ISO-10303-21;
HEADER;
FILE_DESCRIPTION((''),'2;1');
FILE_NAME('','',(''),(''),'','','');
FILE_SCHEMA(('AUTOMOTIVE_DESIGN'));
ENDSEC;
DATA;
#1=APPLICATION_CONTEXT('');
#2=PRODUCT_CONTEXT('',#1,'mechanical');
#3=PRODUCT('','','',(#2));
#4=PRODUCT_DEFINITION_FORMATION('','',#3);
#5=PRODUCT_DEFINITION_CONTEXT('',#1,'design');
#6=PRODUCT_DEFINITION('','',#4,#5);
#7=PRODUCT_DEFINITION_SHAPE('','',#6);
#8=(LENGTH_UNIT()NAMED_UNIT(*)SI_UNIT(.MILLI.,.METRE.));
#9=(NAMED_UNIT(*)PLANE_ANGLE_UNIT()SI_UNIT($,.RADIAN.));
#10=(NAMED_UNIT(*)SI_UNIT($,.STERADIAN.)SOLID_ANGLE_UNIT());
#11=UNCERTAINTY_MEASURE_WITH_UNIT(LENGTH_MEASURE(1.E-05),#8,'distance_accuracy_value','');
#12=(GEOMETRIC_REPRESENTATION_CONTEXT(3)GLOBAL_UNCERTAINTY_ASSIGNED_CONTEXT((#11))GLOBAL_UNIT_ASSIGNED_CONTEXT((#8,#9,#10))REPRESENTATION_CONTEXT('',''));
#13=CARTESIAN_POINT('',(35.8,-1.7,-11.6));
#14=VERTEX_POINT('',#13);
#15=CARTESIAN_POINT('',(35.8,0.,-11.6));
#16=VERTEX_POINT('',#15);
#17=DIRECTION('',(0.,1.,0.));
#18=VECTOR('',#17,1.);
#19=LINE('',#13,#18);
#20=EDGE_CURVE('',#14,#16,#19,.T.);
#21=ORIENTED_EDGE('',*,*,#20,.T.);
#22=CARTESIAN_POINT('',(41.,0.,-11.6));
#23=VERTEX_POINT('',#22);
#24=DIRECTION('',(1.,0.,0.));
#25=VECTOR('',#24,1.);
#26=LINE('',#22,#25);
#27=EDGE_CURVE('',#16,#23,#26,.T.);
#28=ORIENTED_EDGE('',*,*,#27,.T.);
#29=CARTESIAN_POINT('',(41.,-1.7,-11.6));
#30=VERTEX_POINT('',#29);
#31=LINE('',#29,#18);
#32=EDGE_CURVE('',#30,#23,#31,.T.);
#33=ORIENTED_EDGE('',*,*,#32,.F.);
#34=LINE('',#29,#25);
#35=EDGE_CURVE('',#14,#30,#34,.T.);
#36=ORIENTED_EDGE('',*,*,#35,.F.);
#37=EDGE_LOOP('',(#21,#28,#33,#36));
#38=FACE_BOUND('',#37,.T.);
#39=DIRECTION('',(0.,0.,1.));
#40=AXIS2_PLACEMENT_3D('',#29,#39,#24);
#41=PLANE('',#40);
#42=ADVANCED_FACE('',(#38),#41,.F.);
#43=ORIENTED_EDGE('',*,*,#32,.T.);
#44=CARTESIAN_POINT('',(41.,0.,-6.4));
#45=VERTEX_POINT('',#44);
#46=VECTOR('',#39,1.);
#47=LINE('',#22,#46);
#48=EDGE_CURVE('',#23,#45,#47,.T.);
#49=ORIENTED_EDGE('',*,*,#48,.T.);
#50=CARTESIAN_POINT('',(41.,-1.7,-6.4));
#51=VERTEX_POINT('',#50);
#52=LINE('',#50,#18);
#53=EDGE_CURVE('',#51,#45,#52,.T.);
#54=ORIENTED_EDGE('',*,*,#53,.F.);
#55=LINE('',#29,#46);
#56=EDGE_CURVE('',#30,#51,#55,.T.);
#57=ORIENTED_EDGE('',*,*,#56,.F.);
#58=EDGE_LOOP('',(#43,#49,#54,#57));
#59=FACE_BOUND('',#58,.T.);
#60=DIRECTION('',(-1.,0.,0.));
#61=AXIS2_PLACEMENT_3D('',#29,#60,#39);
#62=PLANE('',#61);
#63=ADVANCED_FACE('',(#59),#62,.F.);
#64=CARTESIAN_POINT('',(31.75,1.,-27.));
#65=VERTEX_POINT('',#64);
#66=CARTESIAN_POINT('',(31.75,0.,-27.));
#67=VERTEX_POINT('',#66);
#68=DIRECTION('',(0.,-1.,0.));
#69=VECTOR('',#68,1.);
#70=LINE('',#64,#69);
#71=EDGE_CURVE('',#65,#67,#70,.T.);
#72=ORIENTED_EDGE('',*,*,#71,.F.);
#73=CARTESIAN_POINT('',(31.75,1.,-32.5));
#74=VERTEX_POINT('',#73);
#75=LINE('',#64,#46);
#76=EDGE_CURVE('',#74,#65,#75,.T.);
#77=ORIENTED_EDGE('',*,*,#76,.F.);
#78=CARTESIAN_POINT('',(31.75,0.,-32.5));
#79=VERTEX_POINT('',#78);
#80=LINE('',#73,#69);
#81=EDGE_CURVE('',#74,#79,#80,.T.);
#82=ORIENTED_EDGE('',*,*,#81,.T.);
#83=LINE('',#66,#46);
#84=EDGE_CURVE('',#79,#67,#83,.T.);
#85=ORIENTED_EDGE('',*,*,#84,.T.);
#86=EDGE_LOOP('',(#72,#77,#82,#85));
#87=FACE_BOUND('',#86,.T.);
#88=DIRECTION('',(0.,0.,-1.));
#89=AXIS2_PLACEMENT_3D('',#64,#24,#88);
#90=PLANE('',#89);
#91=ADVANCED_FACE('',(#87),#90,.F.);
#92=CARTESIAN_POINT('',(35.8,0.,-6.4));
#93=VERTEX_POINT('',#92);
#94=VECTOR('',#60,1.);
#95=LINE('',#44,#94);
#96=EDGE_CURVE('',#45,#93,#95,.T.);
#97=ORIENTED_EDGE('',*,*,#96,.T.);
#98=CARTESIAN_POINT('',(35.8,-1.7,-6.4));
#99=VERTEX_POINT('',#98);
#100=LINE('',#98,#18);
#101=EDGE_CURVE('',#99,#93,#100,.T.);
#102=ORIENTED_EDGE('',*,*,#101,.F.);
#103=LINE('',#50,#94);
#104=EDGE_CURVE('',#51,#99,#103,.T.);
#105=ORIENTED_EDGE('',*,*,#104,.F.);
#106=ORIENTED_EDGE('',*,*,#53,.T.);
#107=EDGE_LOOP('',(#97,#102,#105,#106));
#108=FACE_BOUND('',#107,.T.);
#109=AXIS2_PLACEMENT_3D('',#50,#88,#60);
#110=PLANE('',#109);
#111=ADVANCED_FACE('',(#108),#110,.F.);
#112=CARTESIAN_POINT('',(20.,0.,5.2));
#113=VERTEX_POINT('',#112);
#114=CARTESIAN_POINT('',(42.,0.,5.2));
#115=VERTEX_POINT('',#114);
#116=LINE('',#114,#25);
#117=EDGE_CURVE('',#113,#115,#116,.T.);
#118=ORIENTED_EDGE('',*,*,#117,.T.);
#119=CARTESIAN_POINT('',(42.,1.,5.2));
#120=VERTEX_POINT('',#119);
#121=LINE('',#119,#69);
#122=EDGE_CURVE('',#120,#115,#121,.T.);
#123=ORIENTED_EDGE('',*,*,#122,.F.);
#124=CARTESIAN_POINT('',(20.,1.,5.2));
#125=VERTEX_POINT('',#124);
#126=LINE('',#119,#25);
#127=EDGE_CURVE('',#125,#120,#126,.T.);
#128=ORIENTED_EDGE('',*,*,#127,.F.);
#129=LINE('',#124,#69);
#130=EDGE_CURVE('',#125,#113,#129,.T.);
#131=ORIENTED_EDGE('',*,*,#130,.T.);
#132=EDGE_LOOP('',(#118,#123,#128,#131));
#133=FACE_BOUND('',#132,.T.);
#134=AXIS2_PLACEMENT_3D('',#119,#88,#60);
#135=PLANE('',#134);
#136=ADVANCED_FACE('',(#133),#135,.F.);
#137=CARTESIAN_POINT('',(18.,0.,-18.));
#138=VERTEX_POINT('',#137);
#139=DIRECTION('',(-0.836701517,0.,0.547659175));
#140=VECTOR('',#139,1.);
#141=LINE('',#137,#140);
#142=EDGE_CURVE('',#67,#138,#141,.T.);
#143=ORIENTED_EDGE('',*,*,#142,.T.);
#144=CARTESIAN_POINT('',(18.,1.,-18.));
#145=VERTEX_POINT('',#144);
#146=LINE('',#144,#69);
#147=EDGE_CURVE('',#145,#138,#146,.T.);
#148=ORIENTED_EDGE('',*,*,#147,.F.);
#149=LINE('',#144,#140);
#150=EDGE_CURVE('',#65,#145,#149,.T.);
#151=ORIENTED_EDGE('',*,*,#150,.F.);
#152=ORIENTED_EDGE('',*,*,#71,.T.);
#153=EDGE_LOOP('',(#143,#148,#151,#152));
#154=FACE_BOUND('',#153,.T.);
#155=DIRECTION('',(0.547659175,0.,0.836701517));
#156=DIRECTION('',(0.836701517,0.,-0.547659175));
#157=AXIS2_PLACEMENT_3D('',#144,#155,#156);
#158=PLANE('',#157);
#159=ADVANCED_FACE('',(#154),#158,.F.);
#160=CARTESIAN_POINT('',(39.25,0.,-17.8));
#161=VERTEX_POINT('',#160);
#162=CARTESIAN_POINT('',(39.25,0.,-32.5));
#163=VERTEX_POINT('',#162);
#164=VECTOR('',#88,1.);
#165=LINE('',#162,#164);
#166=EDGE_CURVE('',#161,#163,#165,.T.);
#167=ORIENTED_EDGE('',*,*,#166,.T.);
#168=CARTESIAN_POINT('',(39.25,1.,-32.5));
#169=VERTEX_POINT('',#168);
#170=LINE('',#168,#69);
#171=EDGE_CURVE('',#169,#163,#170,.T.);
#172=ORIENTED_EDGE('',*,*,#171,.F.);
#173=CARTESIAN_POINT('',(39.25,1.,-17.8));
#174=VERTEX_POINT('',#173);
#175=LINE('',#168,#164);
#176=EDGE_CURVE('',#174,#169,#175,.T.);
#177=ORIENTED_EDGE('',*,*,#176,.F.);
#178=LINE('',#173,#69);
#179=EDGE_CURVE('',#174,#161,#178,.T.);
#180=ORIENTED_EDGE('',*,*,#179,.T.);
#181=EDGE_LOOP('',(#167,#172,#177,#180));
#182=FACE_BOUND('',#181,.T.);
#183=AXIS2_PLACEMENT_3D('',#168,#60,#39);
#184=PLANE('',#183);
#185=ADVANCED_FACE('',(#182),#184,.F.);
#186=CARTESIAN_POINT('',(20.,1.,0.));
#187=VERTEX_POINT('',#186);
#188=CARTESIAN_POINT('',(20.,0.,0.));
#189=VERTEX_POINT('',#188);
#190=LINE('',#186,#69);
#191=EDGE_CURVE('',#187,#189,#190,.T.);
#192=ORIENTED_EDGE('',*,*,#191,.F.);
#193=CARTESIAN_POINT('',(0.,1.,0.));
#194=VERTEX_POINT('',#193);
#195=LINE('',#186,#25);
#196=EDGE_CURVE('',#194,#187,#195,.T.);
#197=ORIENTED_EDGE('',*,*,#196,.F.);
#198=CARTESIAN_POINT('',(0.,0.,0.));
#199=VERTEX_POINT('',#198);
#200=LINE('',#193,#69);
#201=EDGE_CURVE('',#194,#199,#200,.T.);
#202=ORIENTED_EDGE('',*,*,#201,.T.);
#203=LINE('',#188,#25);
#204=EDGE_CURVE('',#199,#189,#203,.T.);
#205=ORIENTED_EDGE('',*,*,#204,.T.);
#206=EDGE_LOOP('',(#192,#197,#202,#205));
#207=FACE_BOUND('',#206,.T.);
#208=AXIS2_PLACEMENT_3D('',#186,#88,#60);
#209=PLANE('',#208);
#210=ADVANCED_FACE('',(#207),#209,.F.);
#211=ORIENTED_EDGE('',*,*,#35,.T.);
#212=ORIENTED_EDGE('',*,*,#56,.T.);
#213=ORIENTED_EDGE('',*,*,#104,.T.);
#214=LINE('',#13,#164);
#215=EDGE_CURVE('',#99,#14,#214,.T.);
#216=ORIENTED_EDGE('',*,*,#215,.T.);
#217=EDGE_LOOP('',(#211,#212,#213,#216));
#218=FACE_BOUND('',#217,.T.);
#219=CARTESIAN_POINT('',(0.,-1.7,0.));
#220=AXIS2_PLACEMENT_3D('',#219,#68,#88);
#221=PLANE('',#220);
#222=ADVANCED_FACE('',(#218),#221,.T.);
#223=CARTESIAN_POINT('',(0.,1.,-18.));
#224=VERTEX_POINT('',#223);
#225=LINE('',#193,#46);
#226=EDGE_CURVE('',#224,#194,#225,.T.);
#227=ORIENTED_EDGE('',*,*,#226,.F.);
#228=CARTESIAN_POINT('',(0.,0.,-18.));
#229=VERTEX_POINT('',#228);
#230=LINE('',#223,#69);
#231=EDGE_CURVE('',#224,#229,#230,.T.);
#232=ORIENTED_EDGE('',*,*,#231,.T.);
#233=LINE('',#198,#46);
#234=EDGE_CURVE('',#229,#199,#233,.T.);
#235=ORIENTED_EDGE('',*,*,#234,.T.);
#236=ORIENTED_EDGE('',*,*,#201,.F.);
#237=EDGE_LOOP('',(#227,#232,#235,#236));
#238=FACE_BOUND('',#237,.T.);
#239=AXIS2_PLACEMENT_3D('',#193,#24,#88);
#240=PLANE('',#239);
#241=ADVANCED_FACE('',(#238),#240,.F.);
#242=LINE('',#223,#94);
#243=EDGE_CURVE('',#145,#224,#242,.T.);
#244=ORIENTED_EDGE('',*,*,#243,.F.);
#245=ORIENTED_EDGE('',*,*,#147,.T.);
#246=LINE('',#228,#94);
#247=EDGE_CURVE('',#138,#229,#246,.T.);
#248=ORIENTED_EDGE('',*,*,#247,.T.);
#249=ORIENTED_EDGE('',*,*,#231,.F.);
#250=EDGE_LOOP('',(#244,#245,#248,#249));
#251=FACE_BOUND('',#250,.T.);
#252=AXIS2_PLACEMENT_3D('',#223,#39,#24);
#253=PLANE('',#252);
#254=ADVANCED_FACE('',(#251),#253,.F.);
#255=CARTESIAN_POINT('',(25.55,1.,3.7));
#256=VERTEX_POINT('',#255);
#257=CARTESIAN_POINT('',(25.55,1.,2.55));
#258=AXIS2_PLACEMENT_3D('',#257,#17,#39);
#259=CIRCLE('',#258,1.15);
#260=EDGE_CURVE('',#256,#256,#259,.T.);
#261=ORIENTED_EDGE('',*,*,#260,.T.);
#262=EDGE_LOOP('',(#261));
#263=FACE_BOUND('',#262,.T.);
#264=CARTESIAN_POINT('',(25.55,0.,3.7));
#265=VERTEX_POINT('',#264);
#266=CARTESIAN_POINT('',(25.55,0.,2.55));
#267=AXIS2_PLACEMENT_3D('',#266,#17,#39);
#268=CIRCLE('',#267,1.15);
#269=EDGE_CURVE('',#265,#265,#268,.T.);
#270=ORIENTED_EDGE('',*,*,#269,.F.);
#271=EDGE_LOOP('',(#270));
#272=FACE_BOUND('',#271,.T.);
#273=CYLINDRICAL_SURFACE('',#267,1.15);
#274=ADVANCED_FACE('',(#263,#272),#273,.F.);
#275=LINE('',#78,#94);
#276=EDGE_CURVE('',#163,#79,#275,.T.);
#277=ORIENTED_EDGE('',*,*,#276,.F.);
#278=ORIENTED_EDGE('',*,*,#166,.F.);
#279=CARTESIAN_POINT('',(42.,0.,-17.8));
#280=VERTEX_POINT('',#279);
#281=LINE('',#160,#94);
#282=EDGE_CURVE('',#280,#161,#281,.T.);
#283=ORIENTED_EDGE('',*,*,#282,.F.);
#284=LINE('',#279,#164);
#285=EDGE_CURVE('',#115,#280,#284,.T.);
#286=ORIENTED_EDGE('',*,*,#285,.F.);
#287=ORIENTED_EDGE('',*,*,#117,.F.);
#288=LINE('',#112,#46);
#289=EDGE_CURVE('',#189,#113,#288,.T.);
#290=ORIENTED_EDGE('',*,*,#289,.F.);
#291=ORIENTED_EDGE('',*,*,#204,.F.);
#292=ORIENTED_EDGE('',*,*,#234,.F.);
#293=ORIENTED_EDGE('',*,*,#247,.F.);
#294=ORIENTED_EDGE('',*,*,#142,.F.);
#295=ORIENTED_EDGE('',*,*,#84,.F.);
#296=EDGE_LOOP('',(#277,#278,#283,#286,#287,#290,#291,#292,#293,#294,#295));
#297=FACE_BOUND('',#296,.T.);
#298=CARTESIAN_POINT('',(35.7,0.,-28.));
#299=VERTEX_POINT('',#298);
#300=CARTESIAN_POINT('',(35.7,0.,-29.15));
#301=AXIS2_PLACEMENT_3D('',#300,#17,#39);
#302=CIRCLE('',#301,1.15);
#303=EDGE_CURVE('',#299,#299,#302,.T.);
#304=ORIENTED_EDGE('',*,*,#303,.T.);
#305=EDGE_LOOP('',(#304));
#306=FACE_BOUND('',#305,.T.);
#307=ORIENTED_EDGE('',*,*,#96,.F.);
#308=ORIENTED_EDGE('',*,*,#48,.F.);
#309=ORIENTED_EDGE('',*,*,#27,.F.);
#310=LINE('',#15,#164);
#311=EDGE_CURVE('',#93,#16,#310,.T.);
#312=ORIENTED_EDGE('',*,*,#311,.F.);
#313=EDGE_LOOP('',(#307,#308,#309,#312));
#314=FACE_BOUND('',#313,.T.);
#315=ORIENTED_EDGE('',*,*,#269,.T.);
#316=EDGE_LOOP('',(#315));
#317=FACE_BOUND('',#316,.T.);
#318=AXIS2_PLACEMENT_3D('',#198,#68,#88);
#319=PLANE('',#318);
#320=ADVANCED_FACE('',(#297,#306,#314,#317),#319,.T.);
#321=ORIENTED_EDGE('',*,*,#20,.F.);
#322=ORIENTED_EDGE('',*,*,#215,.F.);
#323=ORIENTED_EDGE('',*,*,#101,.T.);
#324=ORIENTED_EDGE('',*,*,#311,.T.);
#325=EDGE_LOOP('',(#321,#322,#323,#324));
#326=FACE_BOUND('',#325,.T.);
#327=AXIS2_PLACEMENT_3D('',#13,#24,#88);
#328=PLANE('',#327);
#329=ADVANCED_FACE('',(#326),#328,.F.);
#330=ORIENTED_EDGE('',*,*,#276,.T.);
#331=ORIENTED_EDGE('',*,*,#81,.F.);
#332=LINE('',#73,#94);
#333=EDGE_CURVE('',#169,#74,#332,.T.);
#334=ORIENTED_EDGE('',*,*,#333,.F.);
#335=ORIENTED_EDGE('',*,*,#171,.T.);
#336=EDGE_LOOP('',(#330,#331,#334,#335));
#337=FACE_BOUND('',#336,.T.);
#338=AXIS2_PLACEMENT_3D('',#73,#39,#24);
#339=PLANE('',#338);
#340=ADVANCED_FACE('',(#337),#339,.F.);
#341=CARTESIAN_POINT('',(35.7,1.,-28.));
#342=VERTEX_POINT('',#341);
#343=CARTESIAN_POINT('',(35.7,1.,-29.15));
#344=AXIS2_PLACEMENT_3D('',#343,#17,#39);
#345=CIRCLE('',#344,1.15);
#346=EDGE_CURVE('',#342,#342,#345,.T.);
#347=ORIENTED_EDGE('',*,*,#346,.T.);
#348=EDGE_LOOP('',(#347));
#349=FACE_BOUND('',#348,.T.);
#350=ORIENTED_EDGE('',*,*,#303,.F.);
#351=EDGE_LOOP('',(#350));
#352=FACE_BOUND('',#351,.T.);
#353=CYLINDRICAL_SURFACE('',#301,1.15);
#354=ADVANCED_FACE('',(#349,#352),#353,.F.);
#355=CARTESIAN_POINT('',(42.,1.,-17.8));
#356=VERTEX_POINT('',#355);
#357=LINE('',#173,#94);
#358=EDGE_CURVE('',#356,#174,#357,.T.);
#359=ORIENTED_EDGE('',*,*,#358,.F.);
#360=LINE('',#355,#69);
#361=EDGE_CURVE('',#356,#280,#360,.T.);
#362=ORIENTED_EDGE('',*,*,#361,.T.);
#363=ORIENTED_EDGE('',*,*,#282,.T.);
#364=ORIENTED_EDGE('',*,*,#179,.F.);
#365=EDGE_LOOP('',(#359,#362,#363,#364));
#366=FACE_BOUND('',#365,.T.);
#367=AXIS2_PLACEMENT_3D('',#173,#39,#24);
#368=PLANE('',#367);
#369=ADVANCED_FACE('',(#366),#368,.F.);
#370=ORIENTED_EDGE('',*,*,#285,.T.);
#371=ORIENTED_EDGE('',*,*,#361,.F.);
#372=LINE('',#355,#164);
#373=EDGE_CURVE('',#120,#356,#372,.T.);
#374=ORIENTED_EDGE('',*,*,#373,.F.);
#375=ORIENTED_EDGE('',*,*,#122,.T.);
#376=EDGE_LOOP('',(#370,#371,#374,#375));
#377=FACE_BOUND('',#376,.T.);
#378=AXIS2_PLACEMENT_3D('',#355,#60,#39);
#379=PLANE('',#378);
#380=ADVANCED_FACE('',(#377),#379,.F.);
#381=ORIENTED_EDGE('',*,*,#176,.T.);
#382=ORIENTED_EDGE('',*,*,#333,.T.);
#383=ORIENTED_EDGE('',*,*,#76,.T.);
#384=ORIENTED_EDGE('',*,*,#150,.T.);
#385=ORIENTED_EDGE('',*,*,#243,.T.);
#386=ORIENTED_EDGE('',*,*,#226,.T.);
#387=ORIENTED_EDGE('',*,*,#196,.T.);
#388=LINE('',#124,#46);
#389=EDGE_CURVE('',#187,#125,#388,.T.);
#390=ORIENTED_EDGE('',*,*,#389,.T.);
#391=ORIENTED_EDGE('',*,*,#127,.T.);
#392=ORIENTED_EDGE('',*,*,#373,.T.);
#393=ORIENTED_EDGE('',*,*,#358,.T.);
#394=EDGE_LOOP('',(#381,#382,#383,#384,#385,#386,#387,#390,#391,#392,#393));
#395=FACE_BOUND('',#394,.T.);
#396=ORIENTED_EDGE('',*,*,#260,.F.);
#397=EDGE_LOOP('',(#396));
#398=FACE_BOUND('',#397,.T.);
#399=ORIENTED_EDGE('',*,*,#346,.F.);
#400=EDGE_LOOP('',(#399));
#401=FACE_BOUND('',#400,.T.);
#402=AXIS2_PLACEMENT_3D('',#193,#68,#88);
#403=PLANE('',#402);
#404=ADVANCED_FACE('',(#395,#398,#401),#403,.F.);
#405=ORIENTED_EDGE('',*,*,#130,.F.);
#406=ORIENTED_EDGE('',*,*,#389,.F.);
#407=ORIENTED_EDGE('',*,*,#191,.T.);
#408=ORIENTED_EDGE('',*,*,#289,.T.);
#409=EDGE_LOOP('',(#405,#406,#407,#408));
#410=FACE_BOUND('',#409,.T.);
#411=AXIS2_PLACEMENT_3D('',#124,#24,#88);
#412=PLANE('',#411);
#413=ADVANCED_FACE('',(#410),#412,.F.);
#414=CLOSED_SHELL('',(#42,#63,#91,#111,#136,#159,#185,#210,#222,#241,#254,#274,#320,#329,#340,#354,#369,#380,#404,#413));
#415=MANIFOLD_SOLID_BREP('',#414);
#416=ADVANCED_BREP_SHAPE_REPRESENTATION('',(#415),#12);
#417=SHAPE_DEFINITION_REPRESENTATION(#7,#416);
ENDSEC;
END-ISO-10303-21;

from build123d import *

# Parameters (mm, degrees)
EXTRUDE_1_DEPTH     = 1
SKETCH_2_R          = 1.15
CUT_EXTRUDE_1_DEPTH = 54.115440316
SKETCH_3_R          = 1.15
CUT_EXTRUDE_2_DEPTH = 54.115440316
SKETCH_4_W          = 5.2
SKETCH_4_H          = 5.2
EXTRUDE_2_DEPTH     = 1.7


with BuildPart() as part:
    # Эскиз1 → Бобышка-Вытянуть1 (new body)
    with BuildSketch(Plane(origin=(0, 0, 0), x_dir=(1, 0, 0), z_dir=(0, 1, 0))):
        Polygon((0, 0), (0, 18), (18, 18), (31.75, 27), (31.75, 32.5), (39.25, 32.5), (39.25, 17.8), (42, 17.8), (42, -5.2), (20, -5.2), (20, 0), align=None)
    extrude(amount=EXTRUDE_1_DEPTH)

    # Эскиз2 → Вырез-Вытянуть1 (cut, through all)
    with BuildSketch(Plane(origin=(0, 1, 0), x_dir=(1, 0, 0), z_dir=(0, 1, 0))):
        with Locations(Location((35.7, 29.15, 0), (0, 0, 270))):
            Circle(SKETCH_2_R)
    extrude(amount=-CUT_EXTRUDE_1_DEPTH, mode=Mode.SUBTRACT)

    # Эскиз3 → Вырез-Вытянуть2 (cut, through all)
    with BuildSketch(Plane(origin=(0, 1, 0), x_dir=(1, 0, 0), z_dir=(0, 1, 0))):
        with Locations(Location((25.55, -2.55, 0), (0, 0, 270))):
            Circle(SKETCH_3_R)
    extrude(amount=-CUT_EXTRUDE_2_DEPTH, mode=Mode.SUBTRACT)

    # Эскиз4 → Бобышка-Вытянуть2 (add)
    with BuildSketch(Plane.XZ):
        with Locations((38.4, -9)):
            Rectangle(SKETCH_4_W, SKETCH_4_H)
    extrude(amount=EXTRUDE_2_DEPTH)


solid = part.part
